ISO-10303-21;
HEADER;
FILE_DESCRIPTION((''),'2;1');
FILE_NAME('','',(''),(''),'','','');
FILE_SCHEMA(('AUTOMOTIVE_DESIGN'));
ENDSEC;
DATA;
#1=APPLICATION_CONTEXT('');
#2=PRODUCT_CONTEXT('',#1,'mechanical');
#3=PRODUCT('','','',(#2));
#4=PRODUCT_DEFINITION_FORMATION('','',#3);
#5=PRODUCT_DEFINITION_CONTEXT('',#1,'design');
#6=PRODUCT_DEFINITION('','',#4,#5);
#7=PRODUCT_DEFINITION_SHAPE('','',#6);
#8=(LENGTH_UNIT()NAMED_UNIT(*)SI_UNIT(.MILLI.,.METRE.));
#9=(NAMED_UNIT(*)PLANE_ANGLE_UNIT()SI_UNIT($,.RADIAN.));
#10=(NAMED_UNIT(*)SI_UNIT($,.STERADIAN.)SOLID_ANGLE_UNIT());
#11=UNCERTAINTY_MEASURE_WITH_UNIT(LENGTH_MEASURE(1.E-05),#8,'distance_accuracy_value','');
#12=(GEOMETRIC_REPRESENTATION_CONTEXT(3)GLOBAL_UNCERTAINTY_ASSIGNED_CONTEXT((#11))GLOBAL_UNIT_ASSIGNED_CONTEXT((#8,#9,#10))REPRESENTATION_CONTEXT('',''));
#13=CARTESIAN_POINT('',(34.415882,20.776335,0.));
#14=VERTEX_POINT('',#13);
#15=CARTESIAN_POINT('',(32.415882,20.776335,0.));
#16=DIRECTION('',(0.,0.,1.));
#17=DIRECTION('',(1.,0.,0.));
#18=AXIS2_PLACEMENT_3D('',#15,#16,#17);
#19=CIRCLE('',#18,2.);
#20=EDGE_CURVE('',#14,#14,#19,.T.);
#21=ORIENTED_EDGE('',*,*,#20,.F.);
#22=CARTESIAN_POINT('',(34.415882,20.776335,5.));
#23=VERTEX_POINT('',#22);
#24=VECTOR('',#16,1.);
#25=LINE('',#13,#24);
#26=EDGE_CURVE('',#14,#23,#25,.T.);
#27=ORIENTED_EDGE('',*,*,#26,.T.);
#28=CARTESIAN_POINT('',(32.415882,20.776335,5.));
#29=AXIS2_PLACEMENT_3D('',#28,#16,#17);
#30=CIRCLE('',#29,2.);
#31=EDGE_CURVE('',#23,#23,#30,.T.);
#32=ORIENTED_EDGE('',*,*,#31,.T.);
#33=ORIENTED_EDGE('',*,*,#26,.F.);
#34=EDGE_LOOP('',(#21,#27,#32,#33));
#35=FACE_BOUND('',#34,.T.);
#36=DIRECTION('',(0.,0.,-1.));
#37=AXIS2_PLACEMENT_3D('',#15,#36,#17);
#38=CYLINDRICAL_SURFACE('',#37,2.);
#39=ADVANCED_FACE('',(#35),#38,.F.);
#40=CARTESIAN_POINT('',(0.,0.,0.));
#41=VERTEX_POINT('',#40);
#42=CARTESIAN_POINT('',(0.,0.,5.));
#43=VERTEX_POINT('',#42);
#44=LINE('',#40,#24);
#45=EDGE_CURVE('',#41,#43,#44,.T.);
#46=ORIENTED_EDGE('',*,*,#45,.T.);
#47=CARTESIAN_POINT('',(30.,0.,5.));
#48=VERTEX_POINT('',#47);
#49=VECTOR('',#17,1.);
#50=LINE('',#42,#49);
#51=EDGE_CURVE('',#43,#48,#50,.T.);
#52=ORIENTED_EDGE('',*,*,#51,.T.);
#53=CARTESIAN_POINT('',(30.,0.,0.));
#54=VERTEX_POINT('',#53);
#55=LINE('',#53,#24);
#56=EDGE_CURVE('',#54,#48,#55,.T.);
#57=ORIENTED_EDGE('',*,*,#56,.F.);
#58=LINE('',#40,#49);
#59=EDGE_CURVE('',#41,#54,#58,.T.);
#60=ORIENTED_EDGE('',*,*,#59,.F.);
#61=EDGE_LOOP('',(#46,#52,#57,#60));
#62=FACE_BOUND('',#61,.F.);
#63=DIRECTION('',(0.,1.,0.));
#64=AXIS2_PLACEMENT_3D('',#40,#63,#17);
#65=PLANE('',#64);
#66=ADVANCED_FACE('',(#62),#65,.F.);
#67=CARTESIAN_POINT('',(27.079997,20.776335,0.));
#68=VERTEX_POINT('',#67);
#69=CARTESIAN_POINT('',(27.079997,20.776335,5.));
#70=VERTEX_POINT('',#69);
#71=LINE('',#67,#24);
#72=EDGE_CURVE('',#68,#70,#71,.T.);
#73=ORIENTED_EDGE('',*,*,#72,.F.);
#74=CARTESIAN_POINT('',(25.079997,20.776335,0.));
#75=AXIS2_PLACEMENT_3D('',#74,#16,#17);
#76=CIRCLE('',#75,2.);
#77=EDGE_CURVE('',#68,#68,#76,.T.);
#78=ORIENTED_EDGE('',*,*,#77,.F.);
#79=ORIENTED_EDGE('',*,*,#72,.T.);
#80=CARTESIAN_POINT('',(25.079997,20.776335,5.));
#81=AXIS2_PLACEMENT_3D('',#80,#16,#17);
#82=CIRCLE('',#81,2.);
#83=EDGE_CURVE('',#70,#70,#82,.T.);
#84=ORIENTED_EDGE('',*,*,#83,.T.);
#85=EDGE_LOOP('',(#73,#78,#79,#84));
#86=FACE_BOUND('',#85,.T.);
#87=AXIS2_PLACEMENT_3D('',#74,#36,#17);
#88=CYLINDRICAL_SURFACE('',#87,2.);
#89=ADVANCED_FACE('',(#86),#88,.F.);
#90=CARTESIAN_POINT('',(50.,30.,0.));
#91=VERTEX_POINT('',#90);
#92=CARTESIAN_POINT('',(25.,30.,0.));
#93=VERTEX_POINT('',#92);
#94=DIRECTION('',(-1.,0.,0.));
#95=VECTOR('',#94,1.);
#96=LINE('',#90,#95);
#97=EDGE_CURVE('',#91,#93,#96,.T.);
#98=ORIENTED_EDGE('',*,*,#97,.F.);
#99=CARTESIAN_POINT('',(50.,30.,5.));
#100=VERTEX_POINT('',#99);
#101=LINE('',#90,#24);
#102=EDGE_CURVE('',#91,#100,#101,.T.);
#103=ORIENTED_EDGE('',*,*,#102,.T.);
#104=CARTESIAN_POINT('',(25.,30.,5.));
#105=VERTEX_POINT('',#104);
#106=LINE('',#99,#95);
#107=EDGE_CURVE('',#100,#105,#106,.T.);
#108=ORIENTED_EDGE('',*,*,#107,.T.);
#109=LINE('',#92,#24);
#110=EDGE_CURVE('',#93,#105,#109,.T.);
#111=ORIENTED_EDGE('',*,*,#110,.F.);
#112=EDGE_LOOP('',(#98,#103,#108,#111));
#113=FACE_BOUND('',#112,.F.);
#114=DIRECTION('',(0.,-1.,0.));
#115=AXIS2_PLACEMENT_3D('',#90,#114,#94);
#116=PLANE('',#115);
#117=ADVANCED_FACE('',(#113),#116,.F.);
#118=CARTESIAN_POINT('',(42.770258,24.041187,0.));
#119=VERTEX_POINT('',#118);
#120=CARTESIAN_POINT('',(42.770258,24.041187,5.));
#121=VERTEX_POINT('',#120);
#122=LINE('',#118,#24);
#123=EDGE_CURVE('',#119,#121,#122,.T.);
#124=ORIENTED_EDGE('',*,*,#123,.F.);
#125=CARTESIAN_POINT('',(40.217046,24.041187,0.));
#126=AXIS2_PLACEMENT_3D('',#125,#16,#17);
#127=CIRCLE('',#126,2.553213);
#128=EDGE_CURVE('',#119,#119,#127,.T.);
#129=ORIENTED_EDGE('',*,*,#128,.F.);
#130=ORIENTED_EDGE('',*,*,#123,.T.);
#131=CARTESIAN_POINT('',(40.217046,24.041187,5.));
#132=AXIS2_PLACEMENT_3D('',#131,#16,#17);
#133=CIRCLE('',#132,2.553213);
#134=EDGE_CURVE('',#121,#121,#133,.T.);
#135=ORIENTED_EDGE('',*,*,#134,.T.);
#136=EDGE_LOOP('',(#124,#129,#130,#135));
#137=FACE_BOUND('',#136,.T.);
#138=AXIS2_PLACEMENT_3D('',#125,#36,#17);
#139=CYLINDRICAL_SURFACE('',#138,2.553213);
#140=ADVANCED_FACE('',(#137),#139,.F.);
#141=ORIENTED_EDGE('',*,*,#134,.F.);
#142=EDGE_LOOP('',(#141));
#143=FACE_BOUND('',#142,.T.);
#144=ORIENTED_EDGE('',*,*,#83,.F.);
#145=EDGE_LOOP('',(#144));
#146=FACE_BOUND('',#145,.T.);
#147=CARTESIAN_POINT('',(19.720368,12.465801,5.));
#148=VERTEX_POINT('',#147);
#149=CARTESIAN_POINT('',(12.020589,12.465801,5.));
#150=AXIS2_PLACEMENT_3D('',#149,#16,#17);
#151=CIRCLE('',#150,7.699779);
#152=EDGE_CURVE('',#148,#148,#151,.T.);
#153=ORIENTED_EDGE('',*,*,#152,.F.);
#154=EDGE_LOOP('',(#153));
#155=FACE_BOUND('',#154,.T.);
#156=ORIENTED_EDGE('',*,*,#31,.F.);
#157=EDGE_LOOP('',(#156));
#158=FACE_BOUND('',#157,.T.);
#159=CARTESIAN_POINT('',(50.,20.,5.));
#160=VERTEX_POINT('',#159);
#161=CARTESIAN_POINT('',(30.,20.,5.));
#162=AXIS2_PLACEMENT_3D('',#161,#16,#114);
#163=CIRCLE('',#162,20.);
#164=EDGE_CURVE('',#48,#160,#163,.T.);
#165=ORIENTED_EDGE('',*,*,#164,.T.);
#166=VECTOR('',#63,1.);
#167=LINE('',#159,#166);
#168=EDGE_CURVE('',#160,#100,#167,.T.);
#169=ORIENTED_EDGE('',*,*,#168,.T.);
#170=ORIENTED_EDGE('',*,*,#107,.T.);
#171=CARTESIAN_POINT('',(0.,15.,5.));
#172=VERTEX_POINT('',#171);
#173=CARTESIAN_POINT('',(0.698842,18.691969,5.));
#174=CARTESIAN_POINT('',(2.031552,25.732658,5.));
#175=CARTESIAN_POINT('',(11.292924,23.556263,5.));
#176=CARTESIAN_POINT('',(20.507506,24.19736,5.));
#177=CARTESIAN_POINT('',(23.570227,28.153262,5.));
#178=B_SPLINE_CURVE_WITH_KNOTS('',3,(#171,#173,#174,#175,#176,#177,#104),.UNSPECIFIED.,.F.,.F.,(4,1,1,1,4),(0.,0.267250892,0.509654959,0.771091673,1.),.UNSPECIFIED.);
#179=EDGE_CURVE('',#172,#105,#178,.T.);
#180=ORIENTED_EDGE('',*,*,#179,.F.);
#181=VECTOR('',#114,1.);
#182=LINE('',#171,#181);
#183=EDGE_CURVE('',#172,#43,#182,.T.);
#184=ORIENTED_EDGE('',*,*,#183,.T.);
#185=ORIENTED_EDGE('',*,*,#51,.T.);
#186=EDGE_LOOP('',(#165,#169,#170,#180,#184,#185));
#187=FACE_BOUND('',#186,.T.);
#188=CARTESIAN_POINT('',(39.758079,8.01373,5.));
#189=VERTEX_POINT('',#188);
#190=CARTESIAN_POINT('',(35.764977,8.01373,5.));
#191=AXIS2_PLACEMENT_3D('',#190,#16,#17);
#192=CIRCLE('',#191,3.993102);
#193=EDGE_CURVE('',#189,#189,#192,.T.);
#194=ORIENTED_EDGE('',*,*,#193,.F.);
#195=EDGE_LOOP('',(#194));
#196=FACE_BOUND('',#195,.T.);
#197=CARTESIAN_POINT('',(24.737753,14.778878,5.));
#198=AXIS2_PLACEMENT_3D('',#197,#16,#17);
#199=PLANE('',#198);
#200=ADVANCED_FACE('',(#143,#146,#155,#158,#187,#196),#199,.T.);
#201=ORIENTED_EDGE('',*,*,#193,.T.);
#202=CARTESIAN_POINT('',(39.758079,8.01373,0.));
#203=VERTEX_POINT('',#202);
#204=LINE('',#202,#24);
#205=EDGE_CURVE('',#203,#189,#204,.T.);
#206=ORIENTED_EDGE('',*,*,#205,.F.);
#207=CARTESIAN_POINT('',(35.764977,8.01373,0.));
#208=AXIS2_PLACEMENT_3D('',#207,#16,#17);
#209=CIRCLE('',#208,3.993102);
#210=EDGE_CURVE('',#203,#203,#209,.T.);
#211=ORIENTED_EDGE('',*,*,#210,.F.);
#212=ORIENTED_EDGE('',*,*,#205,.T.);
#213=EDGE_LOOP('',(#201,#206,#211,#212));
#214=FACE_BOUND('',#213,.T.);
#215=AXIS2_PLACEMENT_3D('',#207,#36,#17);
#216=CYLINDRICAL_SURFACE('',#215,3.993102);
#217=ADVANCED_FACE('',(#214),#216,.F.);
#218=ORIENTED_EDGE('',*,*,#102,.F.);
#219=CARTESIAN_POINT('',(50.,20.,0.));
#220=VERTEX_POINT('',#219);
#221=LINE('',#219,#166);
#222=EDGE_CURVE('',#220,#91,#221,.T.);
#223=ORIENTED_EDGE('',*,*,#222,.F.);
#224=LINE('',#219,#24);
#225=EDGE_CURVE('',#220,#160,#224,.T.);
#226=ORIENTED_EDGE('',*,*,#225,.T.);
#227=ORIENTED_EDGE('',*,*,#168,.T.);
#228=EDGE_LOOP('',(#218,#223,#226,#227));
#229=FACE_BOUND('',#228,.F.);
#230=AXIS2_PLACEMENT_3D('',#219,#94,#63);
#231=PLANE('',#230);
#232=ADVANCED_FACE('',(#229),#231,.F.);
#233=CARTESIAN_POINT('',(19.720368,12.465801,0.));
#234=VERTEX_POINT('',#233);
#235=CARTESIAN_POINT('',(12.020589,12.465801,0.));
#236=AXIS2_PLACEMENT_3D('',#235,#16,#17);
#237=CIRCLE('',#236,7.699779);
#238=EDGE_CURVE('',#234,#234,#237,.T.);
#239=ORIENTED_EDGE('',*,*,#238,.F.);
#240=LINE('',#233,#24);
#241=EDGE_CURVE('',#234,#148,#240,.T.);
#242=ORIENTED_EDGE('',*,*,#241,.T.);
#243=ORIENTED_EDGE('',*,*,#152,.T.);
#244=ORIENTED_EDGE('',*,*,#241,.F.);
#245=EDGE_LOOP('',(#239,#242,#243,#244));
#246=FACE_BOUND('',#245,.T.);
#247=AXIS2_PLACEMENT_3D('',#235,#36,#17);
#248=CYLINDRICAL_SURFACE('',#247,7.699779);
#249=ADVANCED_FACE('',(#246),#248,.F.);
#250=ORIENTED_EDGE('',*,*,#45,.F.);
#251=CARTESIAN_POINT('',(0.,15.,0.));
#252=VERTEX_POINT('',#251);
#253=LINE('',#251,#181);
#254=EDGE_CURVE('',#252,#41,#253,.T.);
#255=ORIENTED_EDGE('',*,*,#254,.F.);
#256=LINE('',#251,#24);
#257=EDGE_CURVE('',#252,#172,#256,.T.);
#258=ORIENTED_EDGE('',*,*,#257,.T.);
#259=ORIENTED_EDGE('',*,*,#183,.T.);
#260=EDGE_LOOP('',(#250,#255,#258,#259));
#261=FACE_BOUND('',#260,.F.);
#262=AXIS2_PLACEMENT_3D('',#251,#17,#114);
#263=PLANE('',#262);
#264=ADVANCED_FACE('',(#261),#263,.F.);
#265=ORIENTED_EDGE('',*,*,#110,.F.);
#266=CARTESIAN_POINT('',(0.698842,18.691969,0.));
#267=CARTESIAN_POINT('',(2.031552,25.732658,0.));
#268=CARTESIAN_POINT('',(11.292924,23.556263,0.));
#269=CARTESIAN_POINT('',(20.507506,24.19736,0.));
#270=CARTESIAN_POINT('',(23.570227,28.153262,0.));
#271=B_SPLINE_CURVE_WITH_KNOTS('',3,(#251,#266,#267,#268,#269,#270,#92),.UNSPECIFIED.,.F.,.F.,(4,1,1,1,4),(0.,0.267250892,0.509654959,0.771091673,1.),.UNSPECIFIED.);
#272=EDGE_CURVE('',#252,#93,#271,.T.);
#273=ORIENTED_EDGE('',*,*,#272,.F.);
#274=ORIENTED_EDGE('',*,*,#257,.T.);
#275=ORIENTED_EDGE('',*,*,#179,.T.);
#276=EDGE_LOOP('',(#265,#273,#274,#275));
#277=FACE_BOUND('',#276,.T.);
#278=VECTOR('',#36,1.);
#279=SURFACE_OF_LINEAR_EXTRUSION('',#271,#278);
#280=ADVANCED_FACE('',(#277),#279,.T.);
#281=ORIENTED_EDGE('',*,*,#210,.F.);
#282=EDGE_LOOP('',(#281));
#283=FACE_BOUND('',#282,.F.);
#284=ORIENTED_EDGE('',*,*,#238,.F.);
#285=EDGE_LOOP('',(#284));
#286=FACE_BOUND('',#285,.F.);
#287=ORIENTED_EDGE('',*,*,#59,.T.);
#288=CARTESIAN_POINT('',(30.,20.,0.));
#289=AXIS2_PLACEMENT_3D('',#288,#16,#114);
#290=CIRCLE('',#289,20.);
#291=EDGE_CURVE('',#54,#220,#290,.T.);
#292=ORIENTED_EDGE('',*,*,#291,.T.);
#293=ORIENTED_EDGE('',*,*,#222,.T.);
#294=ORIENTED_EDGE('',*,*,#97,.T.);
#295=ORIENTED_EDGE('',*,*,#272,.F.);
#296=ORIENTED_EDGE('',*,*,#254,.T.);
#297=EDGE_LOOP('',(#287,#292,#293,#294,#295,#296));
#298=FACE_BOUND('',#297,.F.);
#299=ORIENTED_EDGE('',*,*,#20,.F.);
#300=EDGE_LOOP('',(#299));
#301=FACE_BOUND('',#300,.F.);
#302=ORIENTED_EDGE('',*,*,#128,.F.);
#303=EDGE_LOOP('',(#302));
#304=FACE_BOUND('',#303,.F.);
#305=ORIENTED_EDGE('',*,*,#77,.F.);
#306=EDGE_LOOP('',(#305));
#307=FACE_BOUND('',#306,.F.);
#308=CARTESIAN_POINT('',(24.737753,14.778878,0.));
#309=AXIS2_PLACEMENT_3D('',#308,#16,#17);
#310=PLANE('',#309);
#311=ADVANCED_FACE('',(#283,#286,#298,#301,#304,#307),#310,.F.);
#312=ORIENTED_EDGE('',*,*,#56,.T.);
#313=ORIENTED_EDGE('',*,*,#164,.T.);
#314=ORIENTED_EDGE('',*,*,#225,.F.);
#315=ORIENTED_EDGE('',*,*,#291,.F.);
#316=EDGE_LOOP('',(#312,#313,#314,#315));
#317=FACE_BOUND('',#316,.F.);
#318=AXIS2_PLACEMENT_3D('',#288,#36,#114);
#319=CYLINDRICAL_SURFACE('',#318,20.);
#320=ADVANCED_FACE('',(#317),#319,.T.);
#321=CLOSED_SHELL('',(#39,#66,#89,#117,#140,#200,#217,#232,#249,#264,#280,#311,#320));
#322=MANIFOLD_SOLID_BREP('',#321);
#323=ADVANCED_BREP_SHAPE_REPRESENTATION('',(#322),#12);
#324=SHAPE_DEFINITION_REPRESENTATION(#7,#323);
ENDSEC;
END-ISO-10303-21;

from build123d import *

# Parameters (mm, degrees)
F0_R     = 7.6997790139
F0_R_2   = 3.9931020536
F0_R_3   = 2
F0_R_4   = 2.5532125323
F1_DEPTH = 5


with BuildPart() as f1:
    # F0 (on Top) → F1 (new body)
    with BuildSketch(Plane.XY):
        with BuildLine():
            Line((0, 15), (0, 0))
            Line((0, 0), (30, 0))
            ThreePointArc((30, 0), (44.1421356237, 5.8578643763), (50, 20))
            Line((50, 20), (50, 30))
            Line((50, 30), (25, 30))
            add(Edge.make_bspline(
                [(0, 15), (0.6988416774, 18.6919691411), (2.0315523911, 25.7326580241), (11.2929241749, 23.5562626748), (20.5075058483, 24.1973604022), (23.5702266181, 28.1532620051), (25, 30)],
                knots=[0, 0, 0, 0, 0.2672508916, 0.5096549591, 0.771091673, 1, 1, 1, 1], degree=3))
        make_face()
        with Locations((12.0205888525, 12.46580109)):
            Circle(F0_R, mode=Mode.SUBTRACT)
        with Locations((35.7649773359, 8.0137299374)):
            Circle(F0_R_2, mode=Mode.SUBTRACT)
        with Locations((25.0799972564, 20.77633515)):
            Circle(F0_R_3, mode=Mode.SUBTRACT)
        with Locations((32.415881753, 20.77633515)):
            Circle(F0_R_3, mode=Mode.SUBTRACT)
        with Locations((40.2170456946, 24.0411870182)):
            Circle(F0_R_4, mode=Mode.SUBTRACT)
    extrude(amount=F1_DEPTH)


solid = f1.part
